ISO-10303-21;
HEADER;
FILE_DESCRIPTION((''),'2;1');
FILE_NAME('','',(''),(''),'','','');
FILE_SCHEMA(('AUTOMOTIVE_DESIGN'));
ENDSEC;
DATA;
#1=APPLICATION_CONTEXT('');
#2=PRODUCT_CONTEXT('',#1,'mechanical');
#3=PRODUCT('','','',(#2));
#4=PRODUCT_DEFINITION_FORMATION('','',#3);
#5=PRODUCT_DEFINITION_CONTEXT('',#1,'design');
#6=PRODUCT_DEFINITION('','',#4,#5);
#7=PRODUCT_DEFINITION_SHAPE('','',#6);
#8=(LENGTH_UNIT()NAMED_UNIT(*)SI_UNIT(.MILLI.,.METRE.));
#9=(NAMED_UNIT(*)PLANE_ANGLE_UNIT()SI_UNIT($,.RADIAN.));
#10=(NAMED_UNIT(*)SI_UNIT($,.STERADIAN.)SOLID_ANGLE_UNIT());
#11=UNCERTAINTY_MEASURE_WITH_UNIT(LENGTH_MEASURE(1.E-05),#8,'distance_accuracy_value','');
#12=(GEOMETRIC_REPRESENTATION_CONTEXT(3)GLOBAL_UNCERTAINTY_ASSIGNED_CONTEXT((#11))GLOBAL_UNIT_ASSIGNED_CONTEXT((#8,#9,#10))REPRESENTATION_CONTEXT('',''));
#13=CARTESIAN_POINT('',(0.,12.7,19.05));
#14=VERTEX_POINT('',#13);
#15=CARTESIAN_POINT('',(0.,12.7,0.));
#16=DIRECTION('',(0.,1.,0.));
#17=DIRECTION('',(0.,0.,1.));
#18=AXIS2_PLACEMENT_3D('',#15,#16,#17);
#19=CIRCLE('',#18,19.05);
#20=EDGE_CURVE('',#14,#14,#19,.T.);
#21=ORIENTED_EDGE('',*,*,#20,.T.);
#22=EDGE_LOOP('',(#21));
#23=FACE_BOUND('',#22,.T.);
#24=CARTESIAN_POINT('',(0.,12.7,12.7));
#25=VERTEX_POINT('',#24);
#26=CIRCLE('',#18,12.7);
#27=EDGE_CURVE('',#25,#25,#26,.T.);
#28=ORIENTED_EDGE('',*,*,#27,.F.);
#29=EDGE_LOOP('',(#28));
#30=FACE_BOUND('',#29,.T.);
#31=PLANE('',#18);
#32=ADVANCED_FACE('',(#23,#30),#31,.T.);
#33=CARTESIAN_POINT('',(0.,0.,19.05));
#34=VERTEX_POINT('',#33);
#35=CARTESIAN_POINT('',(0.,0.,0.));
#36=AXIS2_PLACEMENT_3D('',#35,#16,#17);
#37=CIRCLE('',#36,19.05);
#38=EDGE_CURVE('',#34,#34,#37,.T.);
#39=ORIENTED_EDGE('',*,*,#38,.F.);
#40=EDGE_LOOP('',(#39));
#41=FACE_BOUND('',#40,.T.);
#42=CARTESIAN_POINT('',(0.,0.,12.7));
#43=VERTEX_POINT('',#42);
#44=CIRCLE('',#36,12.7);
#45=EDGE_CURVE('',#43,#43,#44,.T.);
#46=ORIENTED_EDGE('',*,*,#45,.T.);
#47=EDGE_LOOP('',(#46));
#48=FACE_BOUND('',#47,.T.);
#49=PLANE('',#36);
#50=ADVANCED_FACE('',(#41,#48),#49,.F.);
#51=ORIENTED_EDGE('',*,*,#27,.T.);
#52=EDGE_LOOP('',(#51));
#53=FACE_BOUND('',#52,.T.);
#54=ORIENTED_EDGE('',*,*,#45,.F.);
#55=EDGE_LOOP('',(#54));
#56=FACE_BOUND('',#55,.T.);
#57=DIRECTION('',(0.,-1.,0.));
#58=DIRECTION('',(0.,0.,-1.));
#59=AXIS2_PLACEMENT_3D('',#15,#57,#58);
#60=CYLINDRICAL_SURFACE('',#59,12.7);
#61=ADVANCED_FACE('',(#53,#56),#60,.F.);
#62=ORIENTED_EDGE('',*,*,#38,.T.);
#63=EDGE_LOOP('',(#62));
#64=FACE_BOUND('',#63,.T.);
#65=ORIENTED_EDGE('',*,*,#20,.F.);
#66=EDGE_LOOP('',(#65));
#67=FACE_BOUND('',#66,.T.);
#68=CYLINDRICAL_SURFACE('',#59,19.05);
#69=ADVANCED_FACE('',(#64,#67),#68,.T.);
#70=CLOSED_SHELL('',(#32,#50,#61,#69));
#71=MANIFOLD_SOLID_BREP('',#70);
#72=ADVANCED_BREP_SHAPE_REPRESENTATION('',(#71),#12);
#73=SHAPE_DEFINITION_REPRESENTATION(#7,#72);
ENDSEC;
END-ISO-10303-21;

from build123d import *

# Parameters (mm, degrees)
SKETCH1_R           = 19.05
SKETCH1_R_2         = 12.7
BOSS_EXTRUDE1_DEPTH = 12.7


with BuildPart() as part:
    # Sketch1 → Boss-Extrude1 (new body)
    with BuildSketch(Plane(origin=(0, 0, 0), x_dir=(1, 0, 0), z_dir=(0, 1, 0))):
        Circle(SKETCH1_R)
        Circle(SKETCH1_R_2, mode=Mode.SUBTRACT)
    extrude(amount=BOSS_EXTRUDE1_DEPTH)


solid = part.part
